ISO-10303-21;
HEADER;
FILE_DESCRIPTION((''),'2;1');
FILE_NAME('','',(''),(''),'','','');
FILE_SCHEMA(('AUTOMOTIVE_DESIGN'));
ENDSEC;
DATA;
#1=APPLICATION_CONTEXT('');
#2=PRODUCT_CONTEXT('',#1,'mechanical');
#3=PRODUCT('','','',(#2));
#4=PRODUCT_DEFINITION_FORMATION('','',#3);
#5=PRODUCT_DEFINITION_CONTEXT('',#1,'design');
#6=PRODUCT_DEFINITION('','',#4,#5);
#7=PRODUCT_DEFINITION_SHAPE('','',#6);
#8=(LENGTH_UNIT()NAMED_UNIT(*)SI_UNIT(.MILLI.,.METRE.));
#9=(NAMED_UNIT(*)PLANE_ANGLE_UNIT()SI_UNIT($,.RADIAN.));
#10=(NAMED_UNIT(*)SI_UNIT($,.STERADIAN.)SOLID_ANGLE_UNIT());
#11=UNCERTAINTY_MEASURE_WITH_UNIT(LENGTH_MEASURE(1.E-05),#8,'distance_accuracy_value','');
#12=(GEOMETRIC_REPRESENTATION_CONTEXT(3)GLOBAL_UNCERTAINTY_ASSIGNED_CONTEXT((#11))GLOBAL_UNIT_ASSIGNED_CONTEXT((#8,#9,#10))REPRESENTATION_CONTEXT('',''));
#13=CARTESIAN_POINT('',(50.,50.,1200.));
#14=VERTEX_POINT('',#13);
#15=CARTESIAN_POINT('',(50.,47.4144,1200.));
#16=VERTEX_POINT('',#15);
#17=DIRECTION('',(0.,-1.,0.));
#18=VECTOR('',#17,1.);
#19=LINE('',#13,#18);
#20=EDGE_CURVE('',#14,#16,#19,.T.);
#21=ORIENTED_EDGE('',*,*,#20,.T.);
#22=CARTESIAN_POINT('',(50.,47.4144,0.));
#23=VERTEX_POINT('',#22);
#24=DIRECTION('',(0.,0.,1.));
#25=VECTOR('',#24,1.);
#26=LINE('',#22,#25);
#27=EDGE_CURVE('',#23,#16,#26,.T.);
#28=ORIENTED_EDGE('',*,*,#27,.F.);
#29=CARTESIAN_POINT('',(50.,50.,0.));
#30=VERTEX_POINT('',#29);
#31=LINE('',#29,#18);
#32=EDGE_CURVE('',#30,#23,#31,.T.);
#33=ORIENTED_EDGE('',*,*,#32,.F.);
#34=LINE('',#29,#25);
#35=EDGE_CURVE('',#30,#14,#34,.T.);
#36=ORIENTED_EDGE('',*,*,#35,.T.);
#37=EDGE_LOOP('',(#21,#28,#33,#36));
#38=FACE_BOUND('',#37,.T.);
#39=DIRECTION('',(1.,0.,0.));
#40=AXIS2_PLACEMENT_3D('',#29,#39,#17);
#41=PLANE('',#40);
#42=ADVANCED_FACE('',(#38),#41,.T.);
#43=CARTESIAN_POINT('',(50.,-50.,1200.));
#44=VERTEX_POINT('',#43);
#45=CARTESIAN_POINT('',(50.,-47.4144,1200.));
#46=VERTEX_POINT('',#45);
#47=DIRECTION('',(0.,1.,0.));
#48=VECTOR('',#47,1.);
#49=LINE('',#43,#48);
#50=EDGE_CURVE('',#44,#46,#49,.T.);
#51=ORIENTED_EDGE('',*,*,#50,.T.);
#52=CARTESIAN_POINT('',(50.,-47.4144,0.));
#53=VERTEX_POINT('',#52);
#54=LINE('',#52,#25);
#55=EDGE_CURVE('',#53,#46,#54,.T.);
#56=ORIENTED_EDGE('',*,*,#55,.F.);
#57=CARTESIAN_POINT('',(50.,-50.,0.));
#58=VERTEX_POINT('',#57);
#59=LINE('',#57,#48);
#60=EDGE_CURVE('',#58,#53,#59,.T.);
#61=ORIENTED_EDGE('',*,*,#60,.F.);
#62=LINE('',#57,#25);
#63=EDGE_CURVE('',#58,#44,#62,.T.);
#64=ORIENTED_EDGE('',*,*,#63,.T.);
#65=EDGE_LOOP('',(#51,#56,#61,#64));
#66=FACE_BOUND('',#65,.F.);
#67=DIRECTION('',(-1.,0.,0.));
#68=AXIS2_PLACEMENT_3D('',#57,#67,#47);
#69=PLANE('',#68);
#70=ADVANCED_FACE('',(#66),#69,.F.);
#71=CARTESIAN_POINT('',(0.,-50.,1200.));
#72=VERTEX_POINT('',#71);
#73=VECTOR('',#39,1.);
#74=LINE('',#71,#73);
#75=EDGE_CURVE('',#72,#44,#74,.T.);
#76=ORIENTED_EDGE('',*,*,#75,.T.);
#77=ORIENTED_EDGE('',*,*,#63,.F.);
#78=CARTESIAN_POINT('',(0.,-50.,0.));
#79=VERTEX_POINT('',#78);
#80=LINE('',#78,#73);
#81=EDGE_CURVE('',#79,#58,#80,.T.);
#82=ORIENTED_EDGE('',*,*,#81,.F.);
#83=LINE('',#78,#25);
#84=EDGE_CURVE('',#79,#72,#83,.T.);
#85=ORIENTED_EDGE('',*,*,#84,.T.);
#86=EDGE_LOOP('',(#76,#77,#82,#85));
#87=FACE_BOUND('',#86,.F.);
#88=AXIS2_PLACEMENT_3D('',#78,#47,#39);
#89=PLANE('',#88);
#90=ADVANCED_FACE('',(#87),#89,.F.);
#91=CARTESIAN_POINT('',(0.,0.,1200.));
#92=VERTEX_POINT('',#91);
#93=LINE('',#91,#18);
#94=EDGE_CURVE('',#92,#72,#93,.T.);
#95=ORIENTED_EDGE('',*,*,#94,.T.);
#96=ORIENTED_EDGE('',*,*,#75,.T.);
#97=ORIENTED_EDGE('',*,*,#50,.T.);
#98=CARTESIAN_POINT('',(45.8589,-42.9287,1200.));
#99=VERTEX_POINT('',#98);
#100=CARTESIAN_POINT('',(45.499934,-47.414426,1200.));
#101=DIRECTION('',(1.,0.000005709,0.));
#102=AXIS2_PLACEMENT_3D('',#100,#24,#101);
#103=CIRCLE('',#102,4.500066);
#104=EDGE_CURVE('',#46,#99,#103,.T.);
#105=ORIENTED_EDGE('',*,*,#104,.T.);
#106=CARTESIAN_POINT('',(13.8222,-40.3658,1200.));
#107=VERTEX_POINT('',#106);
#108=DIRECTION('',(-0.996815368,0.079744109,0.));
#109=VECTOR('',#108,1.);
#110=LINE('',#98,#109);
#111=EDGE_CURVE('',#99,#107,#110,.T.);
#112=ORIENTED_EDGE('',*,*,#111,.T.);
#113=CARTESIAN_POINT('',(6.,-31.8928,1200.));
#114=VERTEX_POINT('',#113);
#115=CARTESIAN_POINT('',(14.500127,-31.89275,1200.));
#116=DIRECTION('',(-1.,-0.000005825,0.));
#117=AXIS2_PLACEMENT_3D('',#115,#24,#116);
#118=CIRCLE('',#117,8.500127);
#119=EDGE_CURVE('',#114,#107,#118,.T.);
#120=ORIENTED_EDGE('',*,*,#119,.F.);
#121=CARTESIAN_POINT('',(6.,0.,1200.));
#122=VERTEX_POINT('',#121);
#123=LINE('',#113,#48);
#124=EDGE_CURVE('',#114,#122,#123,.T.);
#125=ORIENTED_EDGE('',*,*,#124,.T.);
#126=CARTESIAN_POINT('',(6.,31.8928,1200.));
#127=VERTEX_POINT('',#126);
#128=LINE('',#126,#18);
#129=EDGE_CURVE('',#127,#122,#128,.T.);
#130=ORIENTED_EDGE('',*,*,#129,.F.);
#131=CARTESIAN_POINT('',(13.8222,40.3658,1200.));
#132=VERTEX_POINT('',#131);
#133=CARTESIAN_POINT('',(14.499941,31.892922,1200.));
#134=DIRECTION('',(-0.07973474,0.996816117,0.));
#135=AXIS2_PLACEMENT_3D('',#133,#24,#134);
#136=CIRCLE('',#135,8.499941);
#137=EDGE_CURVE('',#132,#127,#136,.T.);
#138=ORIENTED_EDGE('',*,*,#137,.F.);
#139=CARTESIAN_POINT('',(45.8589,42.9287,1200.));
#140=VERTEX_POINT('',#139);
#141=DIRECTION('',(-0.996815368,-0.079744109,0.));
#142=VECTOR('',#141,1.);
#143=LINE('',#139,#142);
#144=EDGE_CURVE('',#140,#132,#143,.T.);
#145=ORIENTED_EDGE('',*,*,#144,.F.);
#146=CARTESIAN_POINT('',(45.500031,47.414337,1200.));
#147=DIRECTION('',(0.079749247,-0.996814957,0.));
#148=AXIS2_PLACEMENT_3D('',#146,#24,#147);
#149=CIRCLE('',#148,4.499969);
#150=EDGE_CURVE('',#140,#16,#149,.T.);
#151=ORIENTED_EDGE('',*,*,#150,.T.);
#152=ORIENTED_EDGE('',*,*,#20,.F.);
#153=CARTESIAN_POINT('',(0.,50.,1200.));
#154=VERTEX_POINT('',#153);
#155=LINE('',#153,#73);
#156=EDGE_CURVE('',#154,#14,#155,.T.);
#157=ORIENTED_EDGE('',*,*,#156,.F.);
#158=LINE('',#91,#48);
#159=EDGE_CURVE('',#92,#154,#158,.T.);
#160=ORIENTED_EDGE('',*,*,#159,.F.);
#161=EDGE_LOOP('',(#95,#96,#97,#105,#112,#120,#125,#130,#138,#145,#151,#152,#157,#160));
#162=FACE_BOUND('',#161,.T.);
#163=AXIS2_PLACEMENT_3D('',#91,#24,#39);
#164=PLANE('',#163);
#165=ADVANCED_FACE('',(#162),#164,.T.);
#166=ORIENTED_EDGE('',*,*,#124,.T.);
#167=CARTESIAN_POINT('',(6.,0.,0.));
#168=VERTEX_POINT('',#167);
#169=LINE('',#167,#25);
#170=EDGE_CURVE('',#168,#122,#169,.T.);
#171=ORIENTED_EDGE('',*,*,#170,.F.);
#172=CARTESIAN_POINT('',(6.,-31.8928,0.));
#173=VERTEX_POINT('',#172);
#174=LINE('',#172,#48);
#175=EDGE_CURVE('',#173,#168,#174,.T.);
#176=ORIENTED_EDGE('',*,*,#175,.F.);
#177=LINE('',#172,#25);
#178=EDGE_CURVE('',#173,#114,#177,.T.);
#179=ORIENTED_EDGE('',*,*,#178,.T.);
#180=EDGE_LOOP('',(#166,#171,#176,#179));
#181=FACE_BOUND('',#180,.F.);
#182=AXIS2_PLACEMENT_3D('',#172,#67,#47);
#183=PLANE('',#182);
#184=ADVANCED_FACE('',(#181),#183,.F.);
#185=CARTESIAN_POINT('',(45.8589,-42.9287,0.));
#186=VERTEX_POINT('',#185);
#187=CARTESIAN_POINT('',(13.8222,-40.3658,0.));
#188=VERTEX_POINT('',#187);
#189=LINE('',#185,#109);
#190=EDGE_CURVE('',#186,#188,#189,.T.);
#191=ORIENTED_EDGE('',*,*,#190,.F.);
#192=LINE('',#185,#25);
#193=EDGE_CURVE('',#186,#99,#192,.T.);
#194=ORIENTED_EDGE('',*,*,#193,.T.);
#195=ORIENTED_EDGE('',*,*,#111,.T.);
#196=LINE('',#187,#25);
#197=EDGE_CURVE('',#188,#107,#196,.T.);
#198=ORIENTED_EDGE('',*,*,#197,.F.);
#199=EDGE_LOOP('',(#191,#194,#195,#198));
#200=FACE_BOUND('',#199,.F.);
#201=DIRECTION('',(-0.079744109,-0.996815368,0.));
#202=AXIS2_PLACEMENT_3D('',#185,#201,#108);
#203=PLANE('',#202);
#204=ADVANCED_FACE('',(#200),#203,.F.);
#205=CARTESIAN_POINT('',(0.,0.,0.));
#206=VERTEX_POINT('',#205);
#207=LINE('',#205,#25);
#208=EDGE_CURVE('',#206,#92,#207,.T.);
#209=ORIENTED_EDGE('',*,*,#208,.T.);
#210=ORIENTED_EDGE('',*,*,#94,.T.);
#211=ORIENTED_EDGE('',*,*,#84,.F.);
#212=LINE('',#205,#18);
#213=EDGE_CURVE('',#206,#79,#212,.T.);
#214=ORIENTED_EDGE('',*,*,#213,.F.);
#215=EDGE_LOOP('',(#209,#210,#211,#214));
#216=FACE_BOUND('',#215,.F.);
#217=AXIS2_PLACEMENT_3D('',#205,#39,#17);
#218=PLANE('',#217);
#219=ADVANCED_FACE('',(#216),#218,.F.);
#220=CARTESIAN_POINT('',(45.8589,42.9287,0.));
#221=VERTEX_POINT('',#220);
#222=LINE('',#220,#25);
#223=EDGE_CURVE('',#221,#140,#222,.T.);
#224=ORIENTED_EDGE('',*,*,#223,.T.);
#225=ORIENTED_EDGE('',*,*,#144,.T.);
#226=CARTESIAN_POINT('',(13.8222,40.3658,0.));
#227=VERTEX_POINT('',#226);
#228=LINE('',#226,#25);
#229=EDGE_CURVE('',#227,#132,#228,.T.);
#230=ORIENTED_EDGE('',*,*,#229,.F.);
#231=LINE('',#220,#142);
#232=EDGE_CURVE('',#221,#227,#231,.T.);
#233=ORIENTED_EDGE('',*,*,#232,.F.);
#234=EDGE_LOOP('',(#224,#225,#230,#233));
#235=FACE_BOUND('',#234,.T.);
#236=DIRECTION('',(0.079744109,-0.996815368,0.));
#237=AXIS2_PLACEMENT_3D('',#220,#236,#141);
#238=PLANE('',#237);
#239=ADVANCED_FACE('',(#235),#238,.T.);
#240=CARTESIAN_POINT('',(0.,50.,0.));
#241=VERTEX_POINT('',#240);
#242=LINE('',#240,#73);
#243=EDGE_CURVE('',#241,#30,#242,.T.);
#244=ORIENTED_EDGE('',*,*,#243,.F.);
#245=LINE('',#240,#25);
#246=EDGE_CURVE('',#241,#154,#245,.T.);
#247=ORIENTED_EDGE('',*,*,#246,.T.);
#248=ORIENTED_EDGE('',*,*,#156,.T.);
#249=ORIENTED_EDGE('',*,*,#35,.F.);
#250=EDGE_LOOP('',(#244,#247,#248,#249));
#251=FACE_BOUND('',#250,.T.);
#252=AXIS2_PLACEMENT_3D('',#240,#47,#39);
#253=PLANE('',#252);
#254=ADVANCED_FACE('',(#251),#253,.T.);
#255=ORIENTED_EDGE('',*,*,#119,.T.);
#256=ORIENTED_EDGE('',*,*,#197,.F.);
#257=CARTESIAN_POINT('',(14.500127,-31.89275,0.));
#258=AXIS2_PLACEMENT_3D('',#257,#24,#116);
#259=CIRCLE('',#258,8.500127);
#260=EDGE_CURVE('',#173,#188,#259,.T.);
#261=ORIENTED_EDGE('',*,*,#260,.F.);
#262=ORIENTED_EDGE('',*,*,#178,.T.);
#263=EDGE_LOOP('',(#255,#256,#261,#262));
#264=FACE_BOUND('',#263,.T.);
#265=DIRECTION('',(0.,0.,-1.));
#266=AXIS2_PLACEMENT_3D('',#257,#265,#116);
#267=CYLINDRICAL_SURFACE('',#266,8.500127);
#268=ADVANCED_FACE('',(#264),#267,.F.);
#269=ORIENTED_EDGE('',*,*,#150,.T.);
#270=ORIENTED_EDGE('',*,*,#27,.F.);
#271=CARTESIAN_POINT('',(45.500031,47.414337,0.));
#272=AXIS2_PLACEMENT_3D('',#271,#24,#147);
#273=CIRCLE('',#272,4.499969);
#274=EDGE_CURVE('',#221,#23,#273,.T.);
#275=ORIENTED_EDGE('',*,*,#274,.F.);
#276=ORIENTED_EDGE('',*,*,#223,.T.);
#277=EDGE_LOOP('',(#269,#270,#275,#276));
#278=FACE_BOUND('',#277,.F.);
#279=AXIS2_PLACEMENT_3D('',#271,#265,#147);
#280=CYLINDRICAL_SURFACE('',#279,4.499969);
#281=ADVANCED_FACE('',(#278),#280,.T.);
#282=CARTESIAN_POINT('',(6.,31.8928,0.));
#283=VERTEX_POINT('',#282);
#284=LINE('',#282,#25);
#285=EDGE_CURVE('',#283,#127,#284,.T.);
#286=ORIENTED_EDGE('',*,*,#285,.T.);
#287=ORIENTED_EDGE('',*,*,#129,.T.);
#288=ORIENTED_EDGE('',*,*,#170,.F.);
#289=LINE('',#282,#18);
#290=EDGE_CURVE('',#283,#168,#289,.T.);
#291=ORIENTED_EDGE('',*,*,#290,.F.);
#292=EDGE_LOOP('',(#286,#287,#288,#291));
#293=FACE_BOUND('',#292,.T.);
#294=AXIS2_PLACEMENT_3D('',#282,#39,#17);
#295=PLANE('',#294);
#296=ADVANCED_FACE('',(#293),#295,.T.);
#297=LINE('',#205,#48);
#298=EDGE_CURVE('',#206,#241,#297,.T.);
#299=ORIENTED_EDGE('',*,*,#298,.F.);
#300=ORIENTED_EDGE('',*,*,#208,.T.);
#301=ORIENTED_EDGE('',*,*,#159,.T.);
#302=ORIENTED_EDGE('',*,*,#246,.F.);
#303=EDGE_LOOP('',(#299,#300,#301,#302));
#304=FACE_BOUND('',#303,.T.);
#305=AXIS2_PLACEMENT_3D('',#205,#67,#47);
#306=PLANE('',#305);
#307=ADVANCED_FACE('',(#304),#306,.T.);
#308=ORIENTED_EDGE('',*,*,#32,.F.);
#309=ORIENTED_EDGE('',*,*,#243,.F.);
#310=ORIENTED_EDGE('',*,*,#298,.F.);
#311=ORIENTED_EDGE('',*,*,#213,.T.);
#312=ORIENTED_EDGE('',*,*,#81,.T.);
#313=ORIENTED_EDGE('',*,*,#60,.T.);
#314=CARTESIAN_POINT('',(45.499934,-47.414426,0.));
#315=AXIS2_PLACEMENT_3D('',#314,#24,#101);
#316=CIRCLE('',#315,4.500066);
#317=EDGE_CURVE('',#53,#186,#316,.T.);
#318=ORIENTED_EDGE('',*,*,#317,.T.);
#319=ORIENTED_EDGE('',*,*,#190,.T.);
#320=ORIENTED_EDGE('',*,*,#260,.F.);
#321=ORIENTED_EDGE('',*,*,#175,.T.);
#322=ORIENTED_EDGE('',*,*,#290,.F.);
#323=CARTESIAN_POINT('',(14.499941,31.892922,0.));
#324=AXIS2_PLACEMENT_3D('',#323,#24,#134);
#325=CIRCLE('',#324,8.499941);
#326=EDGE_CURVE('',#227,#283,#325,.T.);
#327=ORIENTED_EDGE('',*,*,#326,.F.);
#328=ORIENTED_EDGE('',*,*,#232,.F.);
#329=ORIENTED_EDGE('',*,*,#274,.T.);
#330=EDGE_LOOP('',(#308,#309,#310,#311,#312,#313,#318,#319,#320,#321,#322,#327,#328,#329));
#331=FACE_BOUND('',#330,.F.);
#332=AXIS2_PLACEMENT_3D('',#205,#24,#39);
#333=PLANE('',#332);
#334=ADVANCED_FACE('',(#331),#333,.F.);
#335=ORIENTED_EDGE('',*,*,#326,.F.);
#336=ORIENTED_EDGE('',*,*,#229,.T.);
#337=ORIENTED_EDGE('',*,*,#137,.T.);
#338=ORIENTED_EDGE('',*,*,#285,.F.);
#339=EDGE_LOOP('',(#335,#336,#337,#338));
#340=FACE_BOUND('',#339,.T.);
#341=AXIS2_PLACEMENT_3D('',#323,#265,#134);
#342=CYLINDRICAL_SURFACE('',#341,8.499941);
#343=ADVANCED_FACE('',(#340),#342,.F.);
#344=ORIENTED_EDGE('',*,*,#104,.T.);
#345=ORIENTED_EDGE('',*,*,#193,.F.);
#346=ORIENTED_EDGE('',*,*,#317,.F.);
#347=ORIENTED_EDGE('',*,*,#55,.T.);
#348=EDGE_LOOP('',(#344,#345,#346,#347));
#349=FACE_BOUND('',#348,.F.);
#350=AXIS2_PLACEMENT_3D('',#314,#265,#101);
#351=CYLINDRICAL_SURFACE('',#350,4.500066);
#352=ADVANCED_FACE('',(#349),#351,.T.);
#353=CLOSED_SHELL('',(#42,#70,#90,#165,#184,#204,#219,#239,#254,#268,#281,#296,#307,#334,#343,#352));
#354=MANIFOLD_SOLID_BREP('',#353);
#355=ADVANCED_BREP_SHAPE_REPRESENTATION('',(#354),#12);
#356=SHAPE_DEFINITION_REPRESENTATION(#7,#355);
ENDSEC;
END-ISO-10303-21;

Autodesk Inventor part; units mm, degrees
ref_plane "YZ Plane" through (0, 0, 0) normal (1, 0, 0) x (0, 1, 0)
ref_plane "Start plane" through (0, 0, 0) normal (0, 0, 1) x (1, 0, 0)
ref_plane "End plane" through (0, 0, 1200) normal (0, 0, 1) x (1, 0, 0)
sketch "Sketch" plane through (0, 0, 0) normal (0, 0, 1) x (1, 0, 0)
  line L0 (0, 0) -> (0, 50)
  line L1 (0, 50) -> (50, 50)
  line L2 (50, 50) -> (50, 47.4144)
  line L3 (45.8589, 42.9287) -> (13.8222, 40.3658)
  line L4 (6, 31.8928) -> (6, 0)
  line L5 (6, 0) -> (0, 0) construction
  line L6 (28, 50) -> (28, 41.5) construction
  line L7 (50, 43.26) -> (50, 41.5) construction
  line L8 (50, 41.5) -> (28, 41.5) construction
  line L9 (0, 15) -> (0, -27) construction
  line L10 (-5.539, 0) -> (16.0067, 0) construction
  line L11 (0, 0) -> (0, -50)
  line L12 (0, -50) -> (50, -50)
  line L13 (50, -50) -> (50, -47.4144)
  line L14 (45.8589, -42.9287) -> (13.8222, -40.3658)
  line L15 (6, -31.8928) -> (6, 0)
  arc A0 (13.8222, 40.3658) -> (6, 31.8928) centre (14.5, 31.8928) ccw
  arc A1 (6, -31.8928) -> (13.8222, -40.3658) centre (14.5, -31.8928) ccw
  arc A2 (45.8589, 42.9287) -> (50, 47.4144) centre (45.5, 47.4144) ccw
  arc A3 (50, -47.4144) -> (45.8589, -42.9287) centre (45.5, -47.4144) ccw
  line L16 (0, 23.4) -> (0, -35.4) construction
  line L17 (-9.8481, 0) -> (20.3158, 0) construction
  point P0 (6, 39.74)
  point P1 (50, -43.26)
  point P2 (6, -39.74)
  point P3 (28, -50)
  point P4 (28, -41.5)
  dimension "d0" = 6
  dimension "d1" = 50
  dimension "d2" = 50
  dimension "d3" = 8.5
  dimension "d4" = 22
  dimension "d5" = 1.76
  dimension "d23" = 8.5
  dimension "d24" = 4.5
  dimension "d25" = 0
extrude "Body" add sketch "Sketch" along normal up to surface (1200 mm away) from surface at 0
sketch "Sketch3" plane through (0, 0, 0) normal (0, 0, 1) x (1, 0, 0)
  line L0 (0, 0) -> (10, 0)
ref_plane "Work Plane3" through (0, 0, 0) normal (0, -1, 0) x (1, 0, 0)
sketch "Sketch4" plane through (0, 0, 0) normal (0, -1, 0) x (1, 0, 0)
  line L0 (-2, 0) -> (12, 0)
  line L1 (-2, 1200) -> (12, 1200)
  dimension "d29" = 1200
equation "\"d0\" = G_T"
equation "\"d1\" = 0.5 * G_H"
equation "\"d2\" = G_W"
equation "\"d3\" = G_T1"
equation "\"d4\" = G_C"
equation "\"d23\" = G_IR"
equation "\"d24\" = G_ER"
equation "\"d6\" = G_L"
equation "\"G_W\" = 50"
equation "\"G_T\" = 6"
equation "\"G_T1\" = 8.5"
equation "\"G_NG\" = 0.08"
equation "\"G_ER\" = 4.5"
equation "\"G_IR\" = 8.5"
equation "\"G_C\" = 22"
equation "\"G_L\" = d29"
equation "\"ex\" = 0"
equation "\"G_OFFSET_START\" = 0"
equation "\"G_OFFSET_END\" = 0"
equation "\"G_H\" = 100"
properties part number "PN-86/H-93403 - C 100x50 - 1200" material "Steel, Mild"
